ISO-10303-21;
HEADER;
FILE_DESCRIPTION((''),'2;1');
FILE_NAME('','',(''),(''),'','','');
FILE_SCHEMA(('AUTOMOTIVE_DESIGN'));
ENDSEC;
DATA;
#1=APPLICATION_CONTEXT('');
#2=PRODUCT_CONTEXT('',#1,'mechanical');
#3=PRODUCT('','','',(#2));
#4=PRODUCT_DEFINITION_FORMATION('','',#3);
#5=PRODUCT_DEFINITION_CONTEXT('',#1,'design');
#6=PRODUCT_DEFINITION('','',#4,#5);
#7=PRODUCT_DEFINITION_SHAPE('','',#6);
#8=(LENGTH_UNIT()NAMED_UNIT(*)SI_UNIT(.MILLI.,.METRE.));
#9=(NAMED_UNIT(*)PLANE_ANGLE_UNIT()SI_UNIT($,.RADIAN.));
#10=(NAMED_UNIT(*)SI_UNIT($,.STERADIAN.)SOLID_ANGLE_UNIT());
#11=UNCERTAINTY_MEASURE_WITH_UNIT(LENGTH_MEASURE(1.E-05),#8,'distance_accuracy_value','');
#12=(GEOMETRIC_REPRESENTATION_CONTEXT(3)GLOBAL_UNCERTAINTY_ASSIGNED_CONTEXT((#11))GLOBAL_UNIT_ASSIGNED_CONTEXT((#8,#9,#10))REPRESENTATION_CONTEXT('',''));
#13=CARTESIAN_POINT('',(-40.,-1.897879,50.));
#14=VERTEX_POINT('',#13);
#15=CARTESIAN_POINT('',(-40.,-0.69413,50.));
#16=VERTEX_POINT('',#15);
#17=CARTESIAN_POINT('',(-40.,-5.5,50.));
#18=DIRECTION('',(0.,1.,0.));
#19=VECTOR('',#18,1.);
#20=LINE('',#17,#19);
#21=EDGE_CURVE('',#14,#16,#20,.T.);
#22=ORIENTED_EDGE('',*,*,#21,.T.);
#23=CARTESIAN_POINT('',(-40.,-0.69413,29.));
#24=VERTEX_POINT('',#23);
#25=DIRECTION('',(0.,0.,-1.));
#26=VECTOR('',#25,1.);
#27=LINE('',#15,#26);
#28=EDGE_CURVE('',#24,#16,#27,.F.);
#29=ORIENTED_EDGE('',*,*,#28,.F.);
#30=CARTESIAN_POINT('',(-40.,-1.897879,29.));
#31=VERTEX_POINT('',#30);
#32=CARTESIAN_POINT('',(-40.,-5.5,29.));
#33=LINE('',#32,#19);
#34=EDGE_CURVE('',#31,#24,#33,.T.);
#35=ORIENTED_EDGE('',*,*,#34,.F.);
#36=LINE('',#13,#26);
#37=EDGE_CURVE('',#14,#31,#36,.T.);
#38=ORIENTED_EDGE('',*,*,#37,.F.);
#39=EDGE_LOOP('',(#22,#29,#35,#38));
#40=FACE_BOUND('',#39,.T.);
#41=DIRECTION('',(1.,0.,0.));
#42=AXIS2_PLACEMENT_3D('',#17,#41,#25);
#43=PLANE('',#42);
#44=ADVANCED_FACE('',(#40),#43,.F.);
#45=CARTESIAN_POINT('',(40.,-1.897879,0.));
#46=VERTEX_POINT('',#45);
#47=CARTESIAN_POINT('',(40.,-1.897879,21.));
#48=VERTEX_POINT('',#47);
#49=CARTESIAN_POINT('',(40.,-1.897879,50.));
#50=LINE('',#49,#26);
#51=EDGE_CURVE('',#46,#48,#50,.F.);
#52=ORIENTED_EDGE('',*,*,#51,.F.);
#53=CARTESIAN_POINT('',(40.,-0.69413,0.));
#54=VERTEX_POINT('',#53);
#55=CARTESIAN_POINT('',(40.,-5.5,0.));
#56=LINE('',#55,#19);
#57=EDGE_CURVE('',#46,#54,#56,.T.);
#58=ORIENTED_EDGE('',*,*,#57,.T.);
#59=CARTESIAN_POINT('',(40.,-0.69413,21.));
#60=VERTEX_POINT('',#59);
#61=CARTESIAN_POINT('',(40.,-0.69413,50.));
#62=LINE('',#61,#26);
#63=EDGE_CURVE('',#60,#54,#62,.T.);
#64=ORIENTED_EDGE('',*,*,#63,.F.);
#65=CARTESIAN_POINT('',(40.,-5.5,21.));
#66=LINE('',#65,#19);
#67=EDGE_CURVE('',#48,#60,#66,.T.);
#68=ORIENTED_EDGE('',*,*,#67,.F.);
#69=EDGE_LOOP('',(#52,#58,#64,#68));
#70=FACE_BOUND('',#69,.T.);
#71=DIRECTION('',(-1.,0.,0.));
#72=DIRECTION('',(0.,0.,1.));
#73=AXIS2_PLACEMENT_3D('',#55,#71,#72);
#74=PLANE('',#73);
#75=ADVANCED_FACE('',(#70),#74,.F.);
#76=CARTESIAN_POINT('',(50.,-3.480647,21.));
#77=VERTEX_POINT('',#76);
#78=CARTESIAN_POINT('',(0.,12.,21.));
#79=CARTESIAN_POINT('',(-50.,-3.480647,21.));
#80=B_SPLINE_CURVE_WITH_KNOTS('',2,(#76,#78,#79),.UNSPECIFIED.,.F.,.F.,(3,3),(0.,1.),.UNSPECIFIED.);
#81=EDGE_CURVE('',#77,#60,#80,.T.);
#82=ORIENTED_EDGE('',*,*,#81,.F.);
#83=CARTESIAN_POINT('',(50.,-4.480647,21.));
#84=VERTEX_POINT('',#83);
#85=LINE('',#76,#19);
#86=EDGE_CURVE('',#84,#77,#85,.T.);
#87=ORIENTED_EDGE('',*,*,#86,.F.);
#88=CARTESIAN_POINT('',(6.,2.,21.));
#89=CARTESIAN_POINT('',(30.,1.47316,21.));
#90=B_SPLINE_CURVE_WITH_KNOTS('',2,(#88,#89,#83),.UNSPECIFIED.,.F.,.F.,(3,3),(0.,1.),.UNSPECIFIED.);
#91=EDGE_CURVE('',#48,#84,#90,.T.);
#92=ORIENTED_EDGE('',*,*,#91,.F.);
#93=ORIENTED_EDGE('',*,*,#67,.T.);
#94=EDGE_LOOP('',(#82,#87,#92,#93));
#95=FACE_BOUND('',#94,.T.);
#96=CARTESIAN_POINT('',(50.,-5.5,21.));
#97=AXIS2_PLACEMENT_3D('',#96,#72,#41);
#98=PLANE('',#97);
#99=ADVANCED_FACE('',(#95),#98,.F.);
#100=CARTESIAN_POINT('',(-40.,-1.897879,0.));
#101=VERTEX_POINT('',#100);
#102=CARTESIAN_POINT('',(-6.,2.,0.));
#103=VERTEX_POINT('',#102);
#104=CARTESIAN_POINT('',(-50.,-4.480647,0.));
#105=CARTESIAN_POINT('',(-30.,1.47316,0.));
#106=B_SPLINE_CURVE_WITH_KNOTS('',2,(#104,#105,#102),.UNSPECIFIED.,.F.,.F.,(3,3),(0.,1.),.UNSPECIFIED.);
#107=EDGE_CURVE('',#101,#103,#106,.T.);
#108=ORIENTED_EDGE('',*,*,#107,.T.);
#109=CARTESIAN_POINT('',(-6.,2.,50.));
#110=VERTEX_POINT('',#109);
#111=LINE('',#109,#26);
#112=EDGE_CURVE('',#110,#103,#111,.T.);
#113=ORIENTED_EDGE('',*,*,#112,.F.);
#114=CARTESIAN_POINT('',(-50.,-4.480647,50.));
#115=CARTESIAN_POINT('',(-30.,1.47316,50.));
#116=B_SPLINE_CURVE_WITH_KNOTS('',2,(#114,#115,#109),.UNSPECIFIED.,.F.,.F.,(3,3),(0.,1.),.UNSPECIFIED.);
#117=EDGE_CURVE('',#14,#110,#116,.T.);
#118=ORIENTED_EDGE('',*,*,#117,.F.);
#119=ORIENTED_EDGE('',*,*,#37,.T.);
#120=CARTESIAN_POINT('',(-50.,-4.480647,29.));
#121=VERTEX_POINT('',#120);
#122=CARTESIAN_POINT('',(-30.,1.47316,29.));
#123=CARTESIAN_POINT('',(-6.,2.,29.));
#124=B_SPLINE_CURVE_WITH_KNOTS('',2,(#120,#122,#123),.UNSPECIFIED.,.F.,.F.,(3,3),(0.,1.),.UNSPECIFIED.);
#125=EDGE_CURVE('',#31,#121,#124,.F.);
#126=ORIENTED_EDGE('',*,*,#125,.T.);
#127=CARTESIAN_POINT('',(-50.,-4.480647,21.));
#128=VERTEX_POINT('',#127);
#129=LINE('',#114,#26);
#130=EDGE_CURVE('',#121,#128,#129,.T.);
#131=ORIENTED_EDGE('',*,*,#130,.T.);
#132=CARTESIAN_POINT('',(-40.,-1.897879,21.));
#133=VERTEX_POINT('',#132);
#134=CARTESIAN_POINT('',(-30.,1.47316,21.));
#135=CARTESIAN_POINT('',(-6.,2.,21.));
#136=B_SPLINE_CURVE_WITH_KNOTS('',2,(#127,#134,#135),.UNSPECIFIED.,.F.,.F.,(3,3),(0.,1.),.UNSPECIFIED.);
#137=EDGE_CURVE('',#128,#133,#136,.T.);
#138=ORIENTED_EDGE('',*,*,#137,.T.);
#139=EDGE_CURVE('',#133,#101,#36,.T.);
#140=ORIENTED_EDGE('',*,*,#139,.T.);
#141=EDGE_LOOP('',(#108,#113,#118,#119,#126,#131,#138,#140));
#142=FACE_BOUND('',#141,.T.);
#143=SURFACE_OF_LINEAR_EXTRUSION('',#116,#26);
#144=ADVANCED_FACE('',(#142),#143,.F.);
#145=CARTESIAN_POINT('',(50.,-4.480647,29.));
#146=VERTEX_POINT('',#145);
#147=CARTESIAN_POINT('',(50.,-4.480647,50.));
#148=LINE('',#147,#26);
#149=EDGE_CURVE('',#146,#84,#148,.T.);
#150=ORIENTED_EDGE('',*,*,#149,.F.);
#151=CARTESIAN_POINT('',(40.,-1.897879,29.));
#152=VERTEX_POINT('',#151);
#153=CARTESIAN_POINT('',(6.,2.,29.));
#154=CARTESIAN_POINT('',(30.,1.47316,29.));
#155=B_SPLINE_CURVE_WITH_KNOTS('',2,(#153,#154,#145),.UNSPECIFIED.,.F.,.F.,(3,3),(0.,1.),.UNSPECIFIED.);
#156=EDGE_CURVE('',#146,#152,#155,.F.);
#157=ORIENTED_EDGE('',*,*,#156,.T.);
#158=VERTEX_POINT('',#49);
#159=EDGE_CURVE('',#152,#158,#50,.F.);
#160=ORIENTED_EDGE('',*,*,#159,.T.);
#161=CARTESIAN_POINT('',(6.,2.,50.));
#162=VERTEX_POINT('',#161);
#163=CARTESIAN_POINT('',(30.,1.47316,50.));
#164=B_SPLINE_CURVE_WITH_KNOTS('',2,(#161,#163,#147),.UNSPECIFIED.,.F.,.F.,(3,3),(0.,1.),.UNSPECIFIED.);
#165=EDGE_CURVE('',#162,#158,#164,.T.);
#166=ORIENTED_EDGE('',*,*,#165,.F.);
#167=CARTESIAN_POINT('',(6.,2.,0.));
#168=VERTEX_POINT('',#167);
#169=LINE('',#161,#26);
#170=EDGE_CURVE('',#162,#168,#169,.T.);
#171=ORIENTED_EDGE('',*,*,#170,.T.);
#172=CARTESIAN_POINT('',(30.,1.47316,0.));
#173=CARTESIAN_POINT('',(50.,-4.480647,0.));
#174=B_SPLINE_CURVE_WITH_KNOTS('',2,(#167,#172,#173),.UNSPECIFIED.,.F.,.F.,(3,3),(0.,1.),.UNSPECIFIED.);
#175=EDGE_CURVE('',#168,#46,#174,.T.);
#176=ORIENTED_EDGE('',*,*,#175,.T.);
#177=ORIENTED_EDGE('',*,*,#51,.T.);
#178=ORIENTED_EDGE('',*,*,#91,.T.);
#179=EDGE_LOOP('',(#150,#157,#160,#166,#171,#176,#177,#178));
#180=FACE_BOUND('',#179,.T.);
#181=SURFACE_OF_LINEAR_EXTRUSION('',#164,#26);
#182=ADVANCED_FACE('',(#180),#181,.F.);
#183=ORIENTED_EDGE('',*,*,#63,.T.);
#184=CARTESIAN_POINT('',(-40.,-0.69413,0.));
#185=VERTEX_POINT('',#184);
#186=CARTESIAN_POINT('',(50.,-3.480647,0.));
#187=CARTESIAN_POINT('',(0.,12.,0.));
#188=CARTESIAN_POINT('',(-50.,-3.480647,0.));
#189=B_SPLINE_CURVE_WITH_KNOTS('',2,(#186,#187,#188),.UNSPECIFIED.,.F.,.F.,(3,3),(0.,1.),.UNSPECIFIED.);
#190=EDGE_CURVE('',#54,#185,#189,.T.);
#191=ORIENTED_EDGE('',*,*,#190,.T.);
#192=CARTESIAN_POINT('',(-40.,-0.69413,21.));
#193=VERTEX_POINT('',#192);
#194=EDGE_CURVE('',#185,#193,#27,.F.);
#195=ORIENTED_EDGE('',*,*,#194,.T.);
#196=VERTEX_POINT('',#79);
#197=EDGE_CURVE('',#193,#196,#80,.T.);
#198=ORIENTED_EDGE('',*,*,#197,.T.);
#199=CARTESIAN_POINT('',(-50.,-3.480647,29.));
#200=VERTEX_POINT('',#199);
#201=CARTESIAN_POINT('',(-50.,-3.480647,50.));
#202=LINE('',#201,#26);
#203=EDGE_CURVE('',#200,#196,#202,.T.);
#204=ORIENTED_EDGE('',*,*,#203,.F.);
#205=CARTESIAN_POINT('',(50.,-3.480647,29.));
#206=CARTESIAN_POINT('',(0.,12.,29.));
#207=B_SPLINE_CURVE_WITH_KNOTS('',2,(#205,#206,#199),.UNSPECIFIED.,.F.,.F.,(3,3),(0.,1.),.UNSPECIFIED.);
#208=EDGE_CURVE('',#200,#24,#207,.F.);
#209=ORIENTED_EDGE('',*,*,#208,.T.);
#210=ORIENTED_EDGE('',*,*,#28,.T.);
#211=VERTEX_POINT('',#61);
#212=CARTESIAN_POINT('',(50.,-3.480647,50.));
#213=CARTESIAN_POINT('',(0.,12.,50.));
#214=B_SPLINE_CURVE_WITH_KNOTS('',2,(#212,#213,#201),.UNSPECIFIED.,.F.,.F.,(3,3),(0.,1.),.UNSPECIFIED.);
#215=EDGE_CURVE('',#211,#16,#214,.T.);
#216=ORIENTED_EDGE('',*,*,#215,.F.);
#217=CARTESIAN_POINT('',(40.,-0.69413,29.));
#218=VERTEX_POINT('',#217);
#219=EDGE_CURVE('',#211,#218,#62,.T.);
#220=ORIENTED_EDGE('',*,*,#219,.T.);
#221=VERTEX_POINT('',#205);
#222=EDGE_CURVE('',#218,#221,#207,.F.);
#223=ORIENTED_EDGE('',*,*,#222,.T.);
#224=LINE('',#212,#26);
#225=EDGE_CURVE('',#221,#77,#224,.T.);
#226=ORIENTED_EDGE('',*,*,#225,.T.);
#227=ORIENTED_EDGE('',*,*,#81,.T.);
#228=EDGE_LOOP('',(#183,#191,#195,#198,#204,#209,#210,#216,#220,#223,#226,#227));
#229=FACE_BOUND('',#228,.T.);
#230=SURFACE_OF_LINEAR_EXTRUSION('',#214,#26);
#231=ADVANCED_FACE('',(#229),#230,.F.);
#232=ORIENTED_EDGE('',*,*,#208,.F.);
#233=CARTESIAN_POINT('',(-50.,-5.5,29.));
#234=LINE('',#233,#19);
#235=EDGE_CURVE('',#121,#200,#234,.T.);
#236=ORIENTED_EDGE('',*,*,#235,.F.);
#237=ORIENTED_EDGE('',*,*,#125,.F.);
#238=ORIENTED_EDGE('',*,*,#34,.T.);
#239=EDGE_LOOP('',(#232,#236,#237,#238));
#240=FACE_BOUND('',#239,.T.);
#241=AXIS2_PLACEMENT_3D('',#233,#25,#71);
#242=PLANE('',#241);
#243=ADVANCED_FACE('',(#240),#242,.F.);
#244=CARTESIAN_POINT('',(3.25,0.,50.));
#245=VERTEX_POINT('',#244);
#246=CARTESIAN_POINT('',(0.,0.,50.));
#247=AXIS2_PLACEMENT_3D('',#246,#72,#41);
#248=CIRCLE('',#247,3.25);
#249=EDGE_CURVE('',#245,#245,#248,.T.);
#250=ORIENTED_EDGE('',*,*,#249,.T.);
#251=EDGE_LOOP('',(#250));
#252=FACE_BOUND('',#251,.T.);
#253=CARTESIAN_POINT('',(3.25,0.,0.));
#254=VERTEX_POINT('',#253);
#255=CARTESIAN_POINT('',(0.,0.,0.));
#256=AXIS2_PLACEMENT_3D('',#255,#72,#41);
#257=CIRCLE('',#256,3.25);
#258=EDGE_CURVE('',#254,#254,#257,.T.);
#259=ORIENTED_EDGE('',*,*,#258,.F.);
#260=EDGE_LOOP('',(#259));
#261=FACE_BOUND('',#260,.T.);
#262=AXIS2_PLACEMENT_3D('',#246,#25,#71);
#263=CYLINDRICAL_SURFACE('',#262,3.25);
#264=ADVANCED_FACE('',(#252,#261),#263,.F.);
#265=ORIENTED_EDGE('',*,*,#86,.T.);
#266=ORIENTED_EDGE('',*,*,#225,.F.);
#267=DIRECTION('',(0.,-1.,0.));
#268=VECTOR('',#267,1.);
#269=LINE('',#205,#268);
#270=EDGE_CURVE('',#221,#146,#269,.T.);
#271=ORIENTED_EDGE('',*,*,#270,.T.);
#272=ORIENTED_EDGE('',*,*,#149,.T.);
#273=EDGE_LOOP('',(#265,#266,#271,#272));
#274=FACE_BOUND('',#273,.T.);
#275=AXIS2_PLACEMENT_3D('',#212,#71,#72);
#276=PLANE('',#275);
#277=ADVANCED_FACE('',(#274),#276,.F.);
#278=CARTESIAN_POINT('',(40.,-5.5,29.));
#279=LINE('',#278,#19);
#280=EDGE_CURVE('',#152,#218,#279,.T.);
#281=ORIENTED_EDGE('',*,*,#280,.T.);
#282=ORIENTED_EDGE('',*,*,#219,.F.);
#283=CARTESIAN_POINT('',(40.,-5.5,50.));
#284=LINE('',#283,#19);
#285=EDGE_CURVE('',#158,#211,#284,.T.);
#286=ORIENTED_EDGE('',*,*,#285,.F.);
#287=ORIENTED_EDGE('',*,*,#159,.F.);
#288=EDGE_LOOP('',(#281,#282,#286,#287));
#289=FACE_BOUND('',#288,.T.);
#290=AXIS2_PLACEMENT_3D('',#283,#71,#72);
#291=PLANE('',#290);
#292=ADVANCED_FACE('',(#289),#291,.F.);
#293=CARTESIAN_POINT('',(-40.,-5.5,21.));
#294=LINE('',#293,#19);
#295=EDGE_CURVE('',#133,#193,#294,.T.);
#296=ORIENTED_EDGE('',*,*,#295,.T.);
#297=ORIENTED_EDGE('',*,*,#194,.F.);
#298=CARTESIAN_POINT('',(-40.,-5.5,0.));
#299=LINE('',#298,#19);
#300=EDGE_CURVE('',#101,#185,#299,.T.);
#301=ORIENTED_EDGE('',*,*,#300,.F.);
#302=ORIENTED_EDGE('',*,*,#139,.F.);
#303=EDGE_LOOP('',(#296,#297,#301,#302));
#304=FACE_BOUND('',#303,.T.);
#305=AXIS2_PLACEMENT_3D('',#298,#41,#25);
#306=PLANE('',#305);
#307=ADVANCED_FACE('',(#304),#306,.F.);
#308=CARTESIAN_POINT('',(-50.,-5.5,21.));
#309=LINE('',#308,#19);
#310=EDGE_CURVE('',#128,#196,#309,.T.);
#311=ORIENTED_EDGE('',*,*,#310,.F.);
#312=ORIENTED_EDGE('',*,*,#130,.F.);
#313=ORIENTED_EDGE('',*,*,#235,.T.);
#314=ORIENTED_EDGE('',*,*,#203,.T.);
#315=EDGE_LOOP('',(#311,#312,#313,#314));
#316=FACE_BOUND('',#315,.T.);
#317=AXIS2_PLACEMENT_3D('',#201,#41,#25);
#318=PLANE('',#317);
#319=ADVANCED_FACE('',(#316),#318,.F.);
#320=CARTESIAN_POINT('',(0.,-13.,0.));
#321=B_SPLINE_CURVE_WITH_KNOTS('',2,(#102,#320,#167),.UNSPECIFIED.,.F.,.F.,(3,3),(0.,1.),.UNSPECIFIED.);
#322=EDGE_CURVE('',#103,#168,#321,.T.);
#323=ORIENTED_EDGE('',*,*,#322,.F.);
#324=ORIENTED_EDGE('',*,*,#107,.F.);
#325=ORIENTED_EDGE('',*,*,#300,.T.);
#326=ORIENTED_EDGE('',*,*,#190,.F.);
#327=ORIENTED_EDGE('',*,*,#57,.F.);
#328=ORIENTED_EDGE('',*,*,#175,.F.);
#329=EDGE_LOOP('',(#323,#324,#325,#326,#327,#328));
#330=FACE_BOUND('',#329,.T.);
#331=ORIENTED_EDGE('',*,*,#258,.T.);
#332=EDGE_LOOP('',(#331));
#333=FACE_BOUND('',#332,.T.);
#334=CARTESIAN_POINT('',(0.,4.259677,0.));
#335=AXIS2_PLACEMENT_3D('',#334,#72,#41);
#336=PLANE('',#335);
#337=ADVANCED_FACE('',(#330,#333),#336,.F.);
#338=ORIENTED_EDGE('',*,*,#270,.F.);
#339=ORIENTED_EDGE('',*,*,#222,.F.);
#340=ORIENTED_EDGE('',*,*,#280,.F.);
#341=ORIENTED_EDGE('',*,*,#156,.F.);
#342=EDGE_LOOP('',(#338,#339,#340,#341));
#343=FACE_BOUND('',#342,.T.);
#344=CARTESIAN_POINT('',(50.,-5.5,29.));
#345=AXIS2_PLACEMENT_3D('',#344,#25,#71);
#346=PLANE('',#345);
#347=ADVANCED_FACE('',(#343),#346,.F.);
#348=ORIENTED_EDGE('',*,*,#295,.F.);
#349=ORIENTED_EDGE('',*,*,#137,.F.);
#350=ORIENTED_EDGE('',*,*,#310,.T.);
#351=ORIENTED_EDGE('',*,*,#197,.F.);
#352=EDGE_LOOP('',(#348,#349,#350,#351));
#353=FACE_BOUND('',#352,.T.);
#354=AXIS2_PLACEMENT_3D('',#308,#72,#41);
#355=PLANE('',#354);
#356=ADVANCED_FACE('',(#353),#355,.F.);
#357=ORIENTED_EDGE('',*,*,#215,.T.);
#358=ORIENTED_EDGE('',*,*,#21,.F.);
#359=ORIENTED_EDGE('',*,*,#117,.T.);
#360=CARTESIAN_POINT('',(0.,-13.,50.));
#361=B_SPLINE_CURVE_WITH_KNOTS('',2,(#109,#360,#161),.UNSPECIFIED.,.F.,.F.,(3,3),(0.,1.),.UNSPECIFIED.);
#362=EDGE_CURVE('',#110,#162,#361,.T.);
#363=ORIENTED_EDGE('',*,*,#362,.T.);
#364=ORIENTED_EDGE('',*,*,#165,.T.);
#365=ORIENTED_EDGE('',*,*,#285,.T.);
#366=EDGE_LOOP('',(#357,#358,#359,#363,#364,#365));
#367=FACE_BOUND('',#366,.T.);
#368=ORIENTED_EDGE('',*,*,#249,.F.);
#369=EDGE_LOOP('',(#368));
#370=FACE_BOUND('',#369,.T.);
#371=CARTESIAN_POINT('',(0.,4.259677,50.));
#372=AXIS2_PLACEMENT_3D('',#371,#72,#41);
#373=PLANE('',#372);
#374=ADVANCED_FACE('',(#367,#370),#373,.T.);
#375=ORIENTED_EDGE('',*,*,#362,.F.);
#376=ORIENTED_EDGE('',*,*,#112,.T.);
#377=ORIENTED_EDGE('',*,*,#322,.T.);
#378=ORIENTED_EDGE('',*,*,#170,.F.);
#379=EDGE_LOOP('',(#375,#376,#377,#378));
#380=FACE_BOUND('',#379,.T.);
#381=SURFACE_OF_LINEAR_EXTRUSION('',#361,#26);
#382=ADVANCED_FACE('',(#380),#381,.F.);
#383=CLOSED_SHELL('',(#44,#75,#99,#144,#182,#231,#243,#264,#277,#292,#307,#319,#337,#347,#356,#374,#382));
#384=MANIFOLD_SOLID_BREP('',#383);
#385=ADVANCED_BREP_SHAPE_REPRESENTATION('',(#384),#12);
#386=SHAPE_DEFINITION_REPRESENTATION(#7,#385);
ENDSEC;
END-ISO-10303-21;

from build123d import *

# Parameters (mm, degrees)
SKETCH_1_R               = 3.25
EXTRUDE_1_DEPTH          = 50
CUT_EXTRUDE_1_DEPTH      = 71.92425552
CUT_EXTRUDE_1_DEPTH_BACK = 71.92425552
SKETCH_2_W               = 10
SKETCH_2_H               = 21


with BuildPart() as part:
    # 草圖1 → 填料-伸長1 (new body)
    with BuildSketch(Plane.XY):
        with BuildLine():
            Line((-50, -3.480646824), (-50, -4.480646824))
            add(Edge.make_bspline(
                [(-6, 2), (-30, 1.47316016), (-50, -4.480646824)],
                knots=[0, 0, 0, 1, 1, 1], degree=2))
            add(Edge.make_bspline(
                [(-6, 2), (0, -13), (6, 2)],
                knots=[0, 0, 0, 1, 1, 1], degree=2))
            add(Edge.make_bspline(
                [(6, 2), (30, 1.47316016), (50, -4.480646824)],
                knots=[0, 0, 0, 1, 1, 1], degree=2))
            Line((50, -4.480646824), (50, -3.480646824))
            add(Edge.make_bspline(
                [(-50, -3.480646824), (0, 12), (50, -3.480646824)],
                knots=[0, 0, 0, 1, 1, 1], degree=2))
        make_face()
        Circle(SKETCH_1_R, mode=Mode.SUBTRACT)
    extrude(amount=EXTRUDE_1_DEPTH)

    # 草圖2 → 除料-伸長1 (cut, two sides: drawn at the far end of the back side and taken through both)
    with BuildSketch(Plane(origin=(0, 0, 0), x_dir=(1, 0, 0), z_dir=(0, 1, 0)).offset(-CUT_EXTRUDE_1_DEPTH_BACK)):
        with Locations((-45, -39.5)):
            Rectangle(SKETCH_2_W, SKETCH_2_H)
        with Locations((-45, -10.5)):
            Rectangle(SKETCH_2_W, SKETCH_2_H)
        with Locations((45, -10.5)):
            Rectangle(SKETCH_2_W, SKETCH_2_H)
        with Locations((45, -39.5)):
            Rectangle(SKETCH_2_W, SKETCH_2_H)
    extrude(amount=CUT_EXTRUDE_1_DEPTH + CUT_EXTRUDE_1_DEPTH_BACK, mode=Mode.SUBTRACT)


solid = part.part
